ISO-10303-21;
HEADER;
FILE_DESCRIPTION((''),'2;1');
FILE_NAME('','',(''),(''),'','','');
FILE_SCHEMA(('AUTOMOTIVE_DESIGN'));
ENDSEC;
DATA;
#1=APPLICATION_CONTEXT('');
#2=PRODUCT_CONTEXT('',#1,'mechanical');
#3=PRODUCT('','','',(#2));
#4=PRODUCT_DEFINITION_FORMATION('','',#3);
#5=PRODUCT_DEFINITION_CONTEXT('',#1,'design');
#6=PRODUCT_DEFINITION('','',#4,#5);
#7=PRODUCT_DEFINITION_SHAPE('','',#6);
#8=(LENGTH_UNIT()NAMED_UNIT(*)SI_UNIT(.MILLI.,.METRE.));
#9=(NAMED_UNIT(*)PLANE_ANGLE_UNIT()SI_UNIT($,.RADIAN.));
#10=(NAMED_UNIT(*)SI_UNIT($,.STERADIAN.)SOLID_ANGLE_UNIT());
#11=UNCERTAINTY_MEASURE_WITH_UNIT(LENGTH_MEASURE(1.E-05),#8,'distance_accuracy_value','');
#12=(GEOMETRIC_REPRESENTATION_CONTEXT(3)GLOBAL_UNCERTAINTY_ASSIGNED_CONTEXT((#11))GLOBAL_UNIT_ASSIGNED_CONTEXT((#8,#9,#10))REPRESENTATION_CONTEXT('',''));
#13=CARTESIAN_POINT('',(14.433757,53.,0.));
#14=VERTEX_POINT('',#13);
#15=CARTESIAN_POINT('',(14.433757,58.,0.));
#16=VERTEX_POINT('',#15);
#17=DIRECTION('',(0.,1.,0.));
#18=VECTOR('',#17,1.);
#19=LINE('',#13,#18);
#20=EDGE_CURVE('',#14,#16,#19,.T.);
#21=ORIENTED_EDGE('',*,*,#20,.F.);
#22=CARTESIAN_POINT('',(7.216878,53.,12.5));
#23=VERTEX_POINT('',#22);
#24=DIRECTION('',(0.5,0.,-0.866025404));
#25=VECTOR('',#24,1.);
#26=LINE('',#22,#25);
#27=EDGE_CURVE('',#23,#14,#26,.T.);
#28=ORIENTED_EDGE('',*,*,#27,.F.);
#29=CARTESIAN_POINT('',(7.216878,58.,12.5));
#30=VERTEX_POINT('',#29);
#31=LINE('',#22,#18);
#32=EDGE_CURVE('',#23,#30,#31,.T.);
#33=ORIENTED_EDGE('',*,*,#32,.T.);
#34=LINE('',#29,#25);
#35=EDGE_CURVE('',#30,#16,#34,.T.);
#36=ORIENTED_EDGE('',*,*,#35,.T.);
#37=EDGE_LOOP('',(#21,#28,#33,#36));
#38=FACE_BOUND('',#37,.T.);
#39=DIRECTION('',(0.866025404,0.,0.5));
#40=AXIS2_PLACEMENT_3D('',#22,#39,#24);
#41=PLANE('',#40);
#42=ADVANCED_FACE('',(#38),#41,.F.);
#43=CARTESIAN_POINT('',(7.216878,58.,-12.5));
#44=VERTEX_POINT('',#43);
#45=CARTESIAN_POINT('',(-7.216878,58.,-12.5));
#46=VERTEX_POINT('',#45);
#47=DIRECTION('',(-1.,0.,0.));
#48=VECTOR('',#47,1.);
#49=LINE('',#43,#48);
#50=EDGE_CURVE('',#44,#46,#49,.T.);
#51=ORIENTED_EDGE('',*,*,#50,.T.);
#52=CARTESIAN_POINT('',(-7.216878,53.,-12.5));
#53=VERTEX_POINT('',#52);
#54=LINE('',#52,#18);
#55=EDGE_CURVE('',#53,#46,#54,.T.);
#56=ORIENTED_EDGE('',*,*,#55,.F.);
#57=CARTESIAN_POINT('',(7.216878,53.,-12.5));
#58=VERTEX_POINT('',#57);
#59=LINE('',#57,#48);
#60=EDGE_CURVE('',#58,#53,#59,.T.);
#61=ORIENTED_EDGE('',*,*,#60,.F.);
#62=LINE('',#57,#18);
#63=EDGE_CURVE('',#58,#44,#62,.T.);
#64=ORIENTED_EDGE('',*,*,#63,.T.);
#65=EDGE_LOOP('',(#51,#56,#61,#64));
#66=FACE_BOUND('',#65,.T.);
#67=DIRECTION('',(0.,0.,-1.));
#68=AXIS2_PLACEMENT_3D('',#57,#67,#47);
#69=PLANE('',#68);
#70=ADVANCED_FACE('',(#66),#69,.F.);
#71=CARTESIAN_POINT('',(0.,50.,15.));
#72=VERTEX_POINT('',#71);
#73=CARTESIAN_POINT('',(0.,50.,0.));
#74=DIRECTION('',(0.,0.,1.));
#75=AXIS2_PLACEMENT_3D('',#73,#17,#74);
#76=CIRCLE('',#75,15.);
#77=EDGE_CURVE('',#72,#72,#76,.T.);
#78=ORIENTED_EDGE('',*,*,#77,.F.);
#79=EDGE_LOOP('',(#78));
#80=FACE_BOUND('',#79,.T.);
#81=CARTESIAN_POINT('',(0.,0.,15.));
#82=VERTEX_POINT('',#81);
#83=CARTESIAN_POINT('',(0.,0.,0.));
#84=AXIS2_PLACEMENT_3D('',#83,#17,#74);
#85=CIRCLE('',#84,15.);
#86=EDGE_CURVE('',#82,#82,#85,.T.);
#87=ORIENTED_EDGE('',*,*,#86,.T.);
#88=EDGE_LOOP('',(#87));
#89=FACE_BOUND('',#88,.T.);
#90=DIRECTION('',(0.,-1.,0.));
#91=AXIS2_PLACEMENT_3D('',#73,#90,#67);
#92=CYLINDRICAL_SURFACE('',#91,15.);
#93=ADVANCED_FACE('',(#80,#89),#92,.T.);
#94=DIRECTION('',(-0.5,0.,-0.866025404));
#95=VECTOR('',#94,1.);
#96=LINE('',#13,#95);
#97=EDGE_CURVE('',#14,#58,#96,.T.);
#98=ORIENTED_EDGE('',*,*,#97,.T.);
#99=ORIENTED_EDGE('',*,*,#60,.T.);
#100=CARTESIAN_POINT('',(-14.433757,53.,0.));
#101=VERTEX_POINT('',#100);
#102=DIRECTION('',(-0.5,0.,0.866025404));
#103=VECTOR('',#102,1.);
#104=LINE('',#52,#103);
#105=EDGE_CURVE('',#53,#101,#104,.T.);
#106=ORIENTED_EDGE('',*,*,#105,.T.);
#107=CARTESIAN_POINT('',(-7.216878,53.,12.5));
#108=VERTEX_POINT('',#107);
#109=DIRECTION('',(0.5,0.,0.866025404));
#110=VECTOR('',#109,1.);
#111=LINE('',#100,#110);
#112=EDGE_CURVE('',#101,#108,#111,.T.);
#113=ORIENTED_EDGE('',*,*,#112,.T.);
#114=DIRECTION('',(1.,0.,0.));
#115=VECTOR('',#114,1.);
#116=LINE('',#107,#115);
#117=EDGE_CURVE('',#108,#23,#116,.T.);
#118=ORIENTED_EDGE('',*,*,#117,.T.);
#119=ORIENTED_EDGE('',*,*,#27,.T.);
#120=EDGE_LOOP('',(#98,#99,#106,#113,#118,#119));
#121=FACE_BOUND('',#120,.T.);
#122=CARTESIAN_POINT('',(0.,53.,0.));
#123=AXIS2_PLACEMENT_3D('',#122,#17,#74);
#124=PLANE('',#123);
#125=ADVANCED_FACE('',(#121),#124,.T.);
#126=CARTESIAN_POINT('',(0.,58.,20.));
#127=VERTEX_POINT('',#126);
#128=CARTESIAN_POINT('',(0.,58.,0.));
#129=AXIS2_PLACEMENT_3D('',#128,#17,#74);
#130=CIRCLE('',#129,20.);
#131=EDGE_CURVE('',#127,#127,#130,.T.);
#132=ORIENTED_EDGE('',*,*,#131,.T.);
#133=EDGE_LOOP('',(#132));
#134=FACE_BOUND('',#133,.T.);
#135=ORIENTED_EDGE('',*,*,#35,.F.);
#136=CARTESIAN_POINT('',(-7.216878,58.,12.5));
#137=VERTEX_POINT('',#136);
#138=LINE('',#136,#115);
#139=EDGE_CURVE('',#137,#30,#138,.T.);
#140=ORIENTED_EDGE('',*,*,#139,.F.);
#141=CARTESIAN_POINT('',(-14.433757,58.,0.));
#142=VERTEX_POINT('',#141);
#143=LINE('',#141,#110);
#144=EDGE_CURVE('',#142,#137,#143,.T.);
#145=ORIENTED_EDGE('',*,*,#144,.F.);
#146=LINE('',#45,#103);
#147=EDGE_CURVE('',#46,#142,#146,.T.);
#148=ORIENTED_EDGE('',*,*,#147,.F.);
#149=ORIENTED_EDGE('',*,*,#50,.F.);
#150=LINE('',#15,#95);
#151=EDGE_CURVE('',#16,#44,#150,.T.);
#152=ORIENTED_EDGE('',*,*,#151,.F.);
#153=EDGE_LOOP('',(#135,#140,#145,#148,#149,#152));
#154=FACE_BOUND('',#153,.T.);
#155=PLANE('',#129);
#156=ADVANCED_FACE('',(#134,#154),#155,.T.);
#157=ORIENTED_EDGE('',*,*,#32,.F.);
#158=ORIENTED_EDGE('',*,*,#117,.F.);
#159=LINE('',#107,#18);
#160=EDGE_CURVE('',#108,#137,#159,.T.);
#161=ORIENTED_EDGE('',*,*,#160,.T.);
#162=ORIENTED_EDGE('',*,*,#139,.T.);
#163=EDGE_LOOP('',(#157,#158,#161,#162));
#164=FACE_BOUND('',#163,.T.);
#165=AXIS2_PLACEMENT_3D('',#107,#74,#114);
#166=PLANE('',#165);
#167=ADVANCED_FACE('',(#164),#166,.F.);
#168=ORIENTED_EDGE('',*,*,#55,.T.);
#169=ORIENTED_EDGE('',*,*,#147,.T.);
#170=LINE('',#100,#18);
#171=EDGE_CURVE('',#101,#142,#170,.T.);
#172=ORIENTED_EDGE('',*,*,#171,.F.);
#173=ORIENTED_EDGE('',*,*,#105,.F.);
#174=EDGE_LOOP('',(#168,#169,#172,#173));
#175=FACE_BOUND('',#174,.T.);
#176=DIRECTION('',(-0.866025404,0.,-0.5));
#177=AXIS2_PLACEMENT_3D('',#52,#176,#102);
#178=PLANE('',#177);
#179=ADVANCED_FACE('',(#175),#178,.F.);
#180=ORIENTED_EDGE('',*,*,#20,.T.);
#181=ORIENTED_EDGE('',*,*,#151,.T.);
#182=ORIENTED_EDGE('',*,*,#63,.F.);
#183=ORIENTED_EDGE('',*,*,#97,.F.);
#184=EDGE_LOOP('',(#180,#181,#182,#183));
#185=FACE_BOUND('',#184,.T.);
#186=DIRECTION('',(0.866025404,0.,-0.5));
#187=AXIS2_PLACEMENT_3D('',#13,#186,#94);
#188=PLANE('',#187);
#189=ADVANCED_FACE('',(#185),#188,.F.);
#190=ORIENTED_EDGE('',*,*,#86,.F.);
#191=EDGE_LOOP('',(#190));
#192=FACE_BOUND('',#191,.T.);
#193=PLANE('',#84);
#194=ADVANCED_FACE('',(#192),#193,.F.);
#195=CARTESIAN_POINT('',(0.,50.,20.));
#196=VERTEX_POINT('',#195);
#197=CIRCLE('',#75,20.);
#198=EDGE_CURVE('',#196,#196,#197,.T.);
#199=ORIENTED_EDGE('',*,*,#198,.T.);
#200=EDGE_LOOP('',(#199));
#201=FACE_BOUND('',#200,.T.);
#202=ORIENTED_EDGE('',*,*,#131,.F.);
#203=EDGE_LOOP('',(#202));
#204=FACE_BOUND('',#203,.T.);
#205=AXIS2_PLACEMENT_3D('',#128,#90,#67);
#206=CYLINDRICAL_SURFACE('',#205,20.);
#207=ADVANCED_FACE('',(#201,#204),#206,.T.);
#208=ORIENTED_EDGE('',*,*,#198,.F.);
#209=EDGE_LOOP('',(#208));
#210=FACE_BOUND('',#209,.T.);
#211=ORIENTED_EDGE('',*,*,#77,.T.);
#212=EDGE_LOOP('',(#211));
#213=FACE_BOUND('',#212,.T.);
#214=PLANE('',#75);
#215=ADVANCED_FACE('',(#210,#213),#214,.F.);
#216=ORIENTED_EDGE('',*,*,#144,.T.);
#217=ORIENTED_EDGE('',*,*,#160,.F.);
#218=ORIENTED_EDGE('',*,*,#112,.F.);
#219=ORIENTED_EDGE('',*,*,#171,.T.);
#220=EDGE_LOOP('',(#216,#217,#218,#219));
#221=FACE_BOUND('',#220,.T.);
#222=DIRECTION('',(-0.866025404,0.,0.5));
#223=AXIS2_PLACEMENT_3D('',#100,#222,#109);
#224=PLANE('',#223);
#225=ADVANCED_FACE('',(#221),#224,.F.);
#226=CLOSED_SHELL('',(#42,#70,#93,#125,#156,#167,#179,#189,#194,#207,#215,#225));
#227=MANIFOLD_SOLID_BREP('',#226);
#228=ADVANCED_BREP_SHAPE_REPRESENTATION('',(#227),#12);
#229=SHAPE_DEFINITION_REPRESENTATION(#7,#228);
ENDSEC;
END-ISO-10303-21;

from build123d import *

# Parameters (mm, degrees)
SKETCH1_R           = 15
BOSS_EXTRUDE1_DEPTH = 50
SKETCH2_R           = 20
BOSS_EXTRUDE2_DEPTH = 8
CUT_EXTRUDE1_DEPTH  = 5


with BuildPart() as part:
    # Sketch1 → Boss-Extrude1 (new body)
    with BuildSketch(Plane(origin=(0, 0, 0), x_dir=(1, 0, 0), z_dir=(0, 1, 0))):
        Circle(SKETCH1_R)
    extrude(amount=BOSS_EXTRUDE1_DEPTH)

    # Sketch2 → Boss-Extrude2 (add)
    with BuildSketch(Plane(origin=(0, 50, 0), x_dir=(1, 0, 0), z_dir=(0, 1, 0))):
        Circle(SKETCH2_R)
    extrude(amount=BOSS_EXTRUDE2_DEPTH)

    # Sketch3 → Cut-Extrude1 (cut)
    with BuildSketch(Plane(origin=(0, 58, 0), x_dir=(1, 0, 0), z_dir=(0, 1, 0))):
        Polygon((-14.43375673, 0), (-7.216878365, -12.5), (7.216878365, -12.5), (14.43375673, 0), (7.216878365, 12.5), (-7.216878365, 12.5), align=None)
    extrude(amount=-CUT_EXTRUDE1_DEPTH, mode=Mode.SUBTRACT)


solid = part.part
